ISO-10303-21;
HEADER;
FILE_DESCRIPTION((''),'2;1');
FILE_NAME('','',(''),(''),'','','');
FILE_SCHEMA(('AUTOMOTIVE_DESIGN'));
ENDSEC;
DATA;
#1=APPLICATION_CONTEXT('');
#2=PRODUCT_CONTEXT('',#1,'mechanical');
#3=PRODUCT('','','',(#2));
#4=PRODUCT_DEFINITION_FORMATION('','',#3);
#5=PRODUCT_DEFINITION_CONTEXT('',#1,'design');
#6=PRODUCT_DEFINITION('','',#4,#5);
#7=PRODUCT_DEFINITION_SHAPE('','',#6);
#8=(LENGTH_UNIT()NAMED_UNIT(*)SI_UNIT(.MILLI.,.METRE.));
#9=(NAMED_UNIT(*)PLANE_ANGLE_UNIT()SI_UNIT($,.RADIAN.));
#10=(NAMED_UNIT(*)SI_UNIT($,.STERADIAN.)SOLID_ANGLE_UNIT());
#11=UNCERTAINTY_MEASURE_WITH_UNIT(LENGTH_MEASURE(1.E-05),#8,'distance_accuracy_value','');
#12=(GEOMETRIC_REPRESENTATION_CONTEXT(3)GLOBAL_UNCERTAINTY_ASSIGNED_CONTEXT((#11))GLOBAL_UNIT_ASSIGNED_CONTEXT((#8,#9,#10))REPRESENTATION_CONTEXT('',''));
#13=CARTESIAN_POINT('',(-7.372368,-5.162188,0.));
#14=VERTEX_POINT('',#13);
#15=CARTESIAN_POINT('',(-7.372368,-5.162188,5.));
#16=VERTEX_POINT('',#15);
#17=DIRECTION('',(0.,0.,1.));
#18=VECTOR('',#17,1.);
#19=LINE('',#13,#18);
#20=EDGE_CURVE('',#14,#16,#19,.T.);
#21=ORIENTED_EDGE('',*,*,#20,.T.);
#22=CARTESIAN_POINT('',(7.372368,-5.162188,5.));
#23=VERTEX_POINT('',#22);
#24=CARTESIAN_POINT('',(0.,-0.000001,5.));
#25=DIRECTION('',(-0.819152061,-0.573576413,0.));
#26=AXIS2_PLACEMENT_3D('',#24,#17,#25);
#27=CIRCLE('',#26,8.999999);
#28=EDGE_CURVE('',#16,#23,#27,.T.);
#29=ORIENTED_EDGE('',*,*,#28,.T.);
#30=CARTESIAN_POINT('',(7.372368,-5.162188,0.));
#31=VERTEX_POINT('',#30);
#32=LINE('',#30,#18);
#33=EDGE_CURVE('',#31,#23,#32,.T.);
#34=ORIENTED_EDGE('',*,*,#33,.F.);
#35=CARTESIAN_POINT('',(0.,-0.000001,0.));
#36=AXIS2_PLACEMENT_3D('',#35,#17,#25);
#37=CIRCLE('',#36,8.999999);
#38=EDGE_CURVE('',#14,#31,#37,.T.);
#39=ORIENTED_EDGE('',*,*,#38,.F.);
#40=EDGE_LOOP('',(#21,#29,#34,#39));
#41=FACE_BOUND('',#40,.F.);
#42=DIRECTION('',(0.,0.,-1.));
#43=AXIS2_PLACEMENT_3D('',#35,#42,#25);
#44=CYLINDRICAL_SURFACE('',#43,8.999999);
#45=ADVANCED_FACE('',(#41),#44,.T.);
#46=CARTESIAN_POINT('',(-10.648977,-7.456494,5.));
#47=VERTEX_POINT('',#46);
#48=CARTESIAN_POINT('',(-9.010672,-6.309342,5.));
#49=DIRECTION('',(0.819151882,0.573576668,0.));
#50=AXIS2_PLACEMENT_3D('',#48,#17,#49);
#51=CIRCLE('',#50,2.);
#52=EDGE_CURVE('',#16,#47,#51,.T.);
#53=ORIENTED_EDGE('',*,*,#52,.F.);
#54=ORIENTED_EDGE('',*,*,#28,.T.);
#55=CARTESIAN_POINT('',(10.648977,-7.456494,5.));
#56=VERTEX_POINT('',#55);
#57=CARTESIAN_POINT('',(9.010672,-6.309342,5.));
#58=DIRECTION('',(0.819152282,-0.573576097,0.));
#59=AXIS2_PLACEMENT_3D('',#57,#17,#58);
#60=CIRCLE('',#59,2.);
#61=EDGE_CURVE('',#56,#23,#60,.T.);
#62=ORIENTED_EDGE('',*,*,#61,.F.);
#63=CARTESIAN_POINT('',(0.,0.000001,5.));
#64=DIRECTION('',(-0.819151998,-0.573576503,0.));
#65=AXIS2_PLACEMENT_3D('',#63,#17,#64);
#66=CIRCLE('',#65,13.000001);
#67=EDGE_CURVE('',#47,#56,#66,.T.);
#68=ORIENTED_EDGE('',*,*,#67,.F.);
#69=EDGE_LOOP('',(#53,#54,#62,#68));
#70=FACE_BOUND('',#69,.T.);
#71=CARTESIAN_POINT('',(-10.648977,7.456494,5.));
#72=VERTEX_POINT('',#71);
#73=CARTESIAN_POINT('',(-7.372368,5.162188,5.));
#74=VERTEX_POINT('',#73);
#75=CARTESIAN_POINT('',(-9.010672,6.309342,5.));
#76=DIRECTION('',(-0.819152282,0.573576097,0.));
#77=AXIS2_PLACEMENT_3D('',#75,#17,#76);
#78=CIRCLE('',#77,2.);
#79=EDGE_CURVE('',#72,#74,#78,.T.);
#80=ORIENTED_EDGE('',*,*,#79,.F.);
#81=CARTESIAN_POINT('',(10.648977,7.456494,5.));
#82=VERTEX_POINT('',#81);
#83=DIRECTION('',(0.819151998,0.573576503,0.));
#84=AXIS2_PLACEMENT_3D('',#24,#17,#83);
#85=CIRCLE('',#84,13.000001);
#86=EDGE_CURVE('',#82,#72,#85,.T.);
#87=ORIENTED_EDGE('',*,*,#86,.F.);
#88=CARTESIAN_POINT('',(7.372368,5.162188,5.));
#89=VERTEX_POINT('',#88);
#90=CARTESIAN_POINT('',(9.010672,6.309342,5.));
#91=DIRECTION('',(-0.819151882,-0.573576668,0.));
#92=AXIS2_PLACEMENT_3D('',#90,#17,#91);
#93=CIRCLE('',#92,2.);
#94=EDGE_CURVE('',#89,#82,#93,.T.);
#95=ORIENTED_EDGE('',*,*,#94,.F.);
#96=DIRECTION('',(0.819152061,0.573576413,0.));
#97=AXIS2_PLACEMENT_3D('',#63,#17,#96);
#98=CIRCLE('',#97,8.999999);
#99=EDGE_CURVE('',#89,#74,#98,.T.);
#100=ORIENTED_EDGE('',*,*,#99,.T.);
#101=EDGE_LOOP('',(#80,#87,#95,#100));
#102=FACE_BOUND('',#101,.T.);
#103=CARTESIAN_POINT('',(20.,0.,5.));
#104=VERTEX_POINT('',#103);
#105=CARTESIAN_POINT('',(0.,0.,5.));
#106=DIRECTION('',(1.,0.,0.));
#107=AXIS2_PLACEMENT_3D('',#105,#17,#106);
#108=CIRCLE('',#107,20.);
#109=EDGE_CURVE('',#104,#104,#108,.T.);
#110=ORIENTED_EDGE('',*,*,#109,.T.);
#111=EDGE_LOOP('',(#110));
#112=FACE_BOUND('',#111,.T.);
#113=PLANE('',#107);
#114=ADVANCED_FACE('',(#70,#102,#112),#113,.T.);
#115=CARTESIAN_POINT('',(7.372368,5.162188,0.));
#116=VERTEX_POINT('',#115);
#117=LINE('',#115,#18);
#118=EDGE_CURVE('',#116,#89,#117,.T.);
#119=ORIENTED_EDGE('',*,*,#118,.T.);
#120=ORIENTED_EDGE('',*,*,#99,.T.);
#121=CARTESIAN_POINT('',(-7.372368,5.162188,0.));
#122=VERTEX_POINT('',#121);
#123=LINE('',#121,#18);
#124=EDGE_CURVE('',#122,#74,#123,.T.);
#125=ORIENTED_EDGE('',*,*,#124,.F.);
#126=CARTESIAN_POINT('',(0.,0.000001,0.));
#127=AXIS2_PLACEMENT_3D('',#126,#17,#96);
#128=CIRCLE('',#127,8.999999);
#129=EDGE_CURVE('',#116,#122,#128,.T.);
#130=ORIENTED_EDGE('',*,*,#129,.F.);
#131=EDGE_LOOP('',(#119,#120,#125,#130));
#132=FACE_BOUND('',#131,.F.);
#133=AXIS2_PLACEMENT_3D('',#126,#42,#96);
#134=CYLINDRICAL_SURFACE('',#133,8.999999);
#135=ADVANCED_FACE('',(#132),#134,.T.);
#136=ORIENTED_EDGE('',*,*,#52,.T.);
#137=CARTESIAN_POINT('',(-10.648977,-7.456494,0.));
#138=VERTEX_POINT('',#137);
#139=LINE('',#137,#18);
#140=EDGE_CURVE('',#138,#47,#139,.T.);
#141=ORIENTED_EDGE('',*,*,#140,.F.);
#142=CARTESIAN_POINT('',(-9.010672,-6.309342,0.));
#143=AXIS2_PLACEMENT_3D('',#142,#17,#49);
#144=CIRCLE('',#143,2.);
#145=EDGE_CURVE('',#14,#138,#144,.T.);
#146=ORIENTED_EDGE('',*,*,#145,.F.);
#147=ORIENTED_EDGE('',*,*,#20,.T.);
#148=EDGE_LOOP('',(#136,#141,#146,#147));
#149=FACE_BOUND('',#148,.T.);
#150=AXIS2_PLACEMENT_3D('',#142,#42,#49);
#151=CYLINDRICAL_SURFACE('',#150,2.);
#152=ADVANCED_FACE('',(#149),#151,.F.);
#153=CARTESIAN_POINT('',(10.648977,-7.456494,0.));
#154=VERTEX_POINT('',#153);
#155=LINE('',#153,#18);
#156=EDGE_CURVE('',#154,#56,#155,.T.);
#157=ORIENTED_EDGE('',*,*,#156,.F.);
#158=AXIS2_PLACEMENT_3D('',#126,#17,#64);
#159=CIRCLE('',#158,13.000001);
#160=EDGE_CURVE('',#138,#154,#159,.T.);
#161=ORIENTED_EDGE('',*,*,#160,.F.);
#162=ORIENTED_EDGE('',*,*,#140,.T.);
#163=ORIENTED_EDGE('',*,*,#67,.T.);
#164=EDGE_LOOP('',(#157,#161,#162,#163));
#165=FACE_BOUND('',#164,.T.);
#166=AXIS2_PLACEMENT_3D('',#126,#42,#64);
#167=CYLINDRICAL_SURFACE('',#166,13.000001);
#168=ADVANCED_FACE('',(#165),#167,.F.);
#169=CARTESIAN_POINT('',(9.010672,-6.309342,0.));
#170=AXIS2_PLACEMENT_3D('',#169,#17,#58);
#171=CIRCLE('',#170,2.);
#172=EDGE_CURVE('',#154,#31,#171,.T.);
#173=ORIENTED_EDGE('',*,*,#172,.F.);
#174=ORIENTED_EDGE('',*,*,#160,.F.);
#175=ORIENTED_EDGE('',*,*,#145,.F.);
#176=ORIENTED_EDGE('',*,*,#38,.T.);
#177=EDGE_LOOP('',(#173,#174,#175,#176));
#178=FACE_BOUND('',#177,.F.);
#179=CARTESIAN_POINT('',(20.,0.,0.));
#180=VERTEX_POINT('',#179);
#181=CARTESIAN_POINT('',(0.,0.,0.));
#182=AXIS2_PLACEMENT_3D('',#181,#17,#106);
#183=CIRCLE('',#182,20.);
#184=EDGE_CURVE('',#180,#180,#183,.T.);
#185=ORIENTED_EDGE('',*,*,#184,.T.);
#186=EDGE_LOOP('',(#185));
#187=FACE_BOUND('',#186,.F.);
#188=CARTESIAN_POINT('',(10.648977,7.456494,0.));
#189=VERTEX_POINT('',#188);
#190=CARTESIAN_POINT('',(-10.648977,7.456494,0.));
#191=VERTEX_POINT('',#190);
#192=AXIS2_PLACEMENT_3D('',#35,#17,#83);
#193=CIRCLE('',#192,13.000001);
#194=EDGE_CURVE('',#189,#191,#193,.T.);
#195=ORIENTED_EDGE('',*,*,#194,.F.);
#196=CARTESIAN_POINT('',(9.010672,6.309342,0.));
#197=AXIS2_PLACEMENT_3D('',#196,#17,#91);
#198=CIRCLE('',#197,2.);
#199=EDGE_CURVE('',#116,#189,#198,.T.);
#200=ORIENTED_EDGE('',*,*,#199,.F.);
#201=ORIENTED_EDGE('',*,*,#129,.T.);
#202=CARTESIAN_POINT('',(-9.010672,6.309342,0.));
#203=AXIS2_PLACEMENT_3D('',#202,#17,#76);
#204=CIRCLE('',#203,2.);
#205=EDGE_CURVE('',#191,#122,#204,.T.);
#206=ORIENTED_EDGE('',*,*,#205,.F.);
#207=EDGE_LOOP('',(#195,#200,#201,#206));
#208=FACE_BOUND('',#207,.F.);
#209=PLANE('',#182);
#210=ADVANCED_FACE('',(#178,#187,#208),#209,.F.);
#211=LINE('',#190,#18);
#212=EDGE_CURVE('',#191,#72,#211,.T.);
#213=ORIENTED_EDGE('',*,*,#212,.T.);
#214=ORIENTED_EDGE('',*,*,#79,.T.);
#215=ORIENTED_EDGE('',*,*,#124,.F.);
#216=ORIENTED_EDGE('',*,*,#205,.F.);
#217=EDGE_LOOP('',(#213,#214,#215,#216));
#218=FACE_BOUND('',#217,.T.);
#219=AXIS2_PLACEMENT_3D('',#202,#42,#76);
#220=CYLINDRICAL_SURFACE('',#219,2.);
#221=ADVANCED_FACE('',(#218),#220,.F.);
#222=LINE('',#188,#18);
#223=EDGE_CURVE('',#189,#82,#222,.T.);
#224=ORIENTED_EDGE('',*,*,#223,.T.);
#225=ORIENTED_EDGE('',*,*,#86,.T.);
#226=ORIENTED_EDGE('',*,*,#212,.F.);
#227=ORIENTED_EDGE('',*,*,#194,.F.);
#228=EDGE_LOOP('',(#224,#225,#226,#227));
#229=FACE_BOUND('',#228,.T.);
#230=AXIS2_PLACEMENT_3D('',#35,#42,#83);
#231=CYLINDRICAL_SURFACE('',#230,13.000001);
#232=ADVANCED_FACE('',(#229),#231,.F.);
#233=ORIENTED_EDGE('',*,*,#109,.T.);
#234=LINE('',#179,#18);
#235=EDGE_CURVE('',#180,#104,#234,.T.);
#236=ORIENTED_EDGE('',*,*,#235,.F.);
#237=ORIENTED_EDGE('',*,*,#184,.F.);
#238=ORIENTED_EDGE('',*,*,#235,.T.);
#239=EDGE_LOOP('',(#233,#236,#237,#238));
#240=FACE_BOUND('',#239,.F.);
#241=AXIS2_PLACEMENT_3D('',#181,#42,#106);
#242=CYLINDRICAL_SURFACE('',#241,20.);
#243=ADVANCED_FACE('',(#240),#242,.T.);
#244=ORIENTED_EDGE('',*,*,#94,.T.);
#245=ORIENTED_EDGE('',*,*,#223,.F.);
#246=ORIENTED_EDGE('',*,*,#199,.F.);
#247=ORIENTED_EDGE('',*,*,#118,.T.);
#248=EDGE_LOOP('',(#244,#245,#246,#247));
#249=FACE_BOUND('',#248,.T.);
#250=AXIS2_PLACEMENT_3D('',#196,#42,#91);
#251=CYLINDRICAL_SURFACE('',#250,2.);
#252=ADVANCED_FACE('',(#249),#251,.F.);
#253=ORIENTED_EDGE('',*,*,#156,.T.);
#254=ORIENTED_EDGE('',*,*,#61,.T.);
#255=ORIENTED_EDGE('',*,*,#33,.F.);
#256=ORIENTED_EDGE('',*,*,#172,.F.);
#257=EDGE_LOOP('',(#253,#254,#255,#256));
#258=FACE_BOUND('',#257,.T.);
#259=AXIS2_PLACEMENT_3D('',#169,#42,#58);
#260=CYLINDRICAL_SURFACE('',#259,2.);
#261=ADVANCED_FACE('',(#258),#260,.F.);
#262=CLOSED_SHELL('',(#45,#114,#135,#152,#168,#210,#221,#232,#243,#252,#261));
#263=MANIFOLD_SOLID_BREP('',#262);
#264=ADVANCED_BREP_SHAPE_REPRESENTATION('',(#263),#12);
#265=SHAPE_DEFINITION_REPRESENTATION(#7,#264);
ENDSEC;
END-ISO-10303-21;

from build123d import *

# Parameters (mm, degrees)
SKETCH_R      = 20
EXTRUDE_DEPTH = 5


with BuildPart() as part:
    # Sketch → Extrude (new body)
    with BuildSketch(Plane.XY):
        Circle(SKETCH_R)
        with BuildLine():
            ThreePointArc((7.372368, 5.162188), (0, 9), (-7.372368, 5.162188))
            ThreePointArc((-10.648977, 7.456494), (-10.157825, 4.671037), (-7.372368, 5.162188))
            ThreePointArc((10.648977, 7.456494), (0, 13), (-10.648977, 7.456494))
            ThreePointArc((7.372368, 5.162188), (10.157825, 4.671037), (10.648977, 7.456494))
        make_face(mode=Mode.SUBTRACT)
        with BuildLine():
            ThreePointArc((-7.372368, -5.162188), (0, -9), (7.372368, -5.162188))
            ThreePointArc((10.648977, -7.456494), (10.157825, -4.671037), (7.372368, -5.162188))
            ThreePointArc((-10.648977, -7.456494), (0, -13), (10.648977, -7.456494))
            ThreePointArc((-7.372368, -5.162188), (-10.157825, -4.671037), (-10.648977, -7.456494))
        make_face(mode=Mode.SUBTRACT)
    extrude(amount=EXTRUDE_DEPTH)


solid = part.part
